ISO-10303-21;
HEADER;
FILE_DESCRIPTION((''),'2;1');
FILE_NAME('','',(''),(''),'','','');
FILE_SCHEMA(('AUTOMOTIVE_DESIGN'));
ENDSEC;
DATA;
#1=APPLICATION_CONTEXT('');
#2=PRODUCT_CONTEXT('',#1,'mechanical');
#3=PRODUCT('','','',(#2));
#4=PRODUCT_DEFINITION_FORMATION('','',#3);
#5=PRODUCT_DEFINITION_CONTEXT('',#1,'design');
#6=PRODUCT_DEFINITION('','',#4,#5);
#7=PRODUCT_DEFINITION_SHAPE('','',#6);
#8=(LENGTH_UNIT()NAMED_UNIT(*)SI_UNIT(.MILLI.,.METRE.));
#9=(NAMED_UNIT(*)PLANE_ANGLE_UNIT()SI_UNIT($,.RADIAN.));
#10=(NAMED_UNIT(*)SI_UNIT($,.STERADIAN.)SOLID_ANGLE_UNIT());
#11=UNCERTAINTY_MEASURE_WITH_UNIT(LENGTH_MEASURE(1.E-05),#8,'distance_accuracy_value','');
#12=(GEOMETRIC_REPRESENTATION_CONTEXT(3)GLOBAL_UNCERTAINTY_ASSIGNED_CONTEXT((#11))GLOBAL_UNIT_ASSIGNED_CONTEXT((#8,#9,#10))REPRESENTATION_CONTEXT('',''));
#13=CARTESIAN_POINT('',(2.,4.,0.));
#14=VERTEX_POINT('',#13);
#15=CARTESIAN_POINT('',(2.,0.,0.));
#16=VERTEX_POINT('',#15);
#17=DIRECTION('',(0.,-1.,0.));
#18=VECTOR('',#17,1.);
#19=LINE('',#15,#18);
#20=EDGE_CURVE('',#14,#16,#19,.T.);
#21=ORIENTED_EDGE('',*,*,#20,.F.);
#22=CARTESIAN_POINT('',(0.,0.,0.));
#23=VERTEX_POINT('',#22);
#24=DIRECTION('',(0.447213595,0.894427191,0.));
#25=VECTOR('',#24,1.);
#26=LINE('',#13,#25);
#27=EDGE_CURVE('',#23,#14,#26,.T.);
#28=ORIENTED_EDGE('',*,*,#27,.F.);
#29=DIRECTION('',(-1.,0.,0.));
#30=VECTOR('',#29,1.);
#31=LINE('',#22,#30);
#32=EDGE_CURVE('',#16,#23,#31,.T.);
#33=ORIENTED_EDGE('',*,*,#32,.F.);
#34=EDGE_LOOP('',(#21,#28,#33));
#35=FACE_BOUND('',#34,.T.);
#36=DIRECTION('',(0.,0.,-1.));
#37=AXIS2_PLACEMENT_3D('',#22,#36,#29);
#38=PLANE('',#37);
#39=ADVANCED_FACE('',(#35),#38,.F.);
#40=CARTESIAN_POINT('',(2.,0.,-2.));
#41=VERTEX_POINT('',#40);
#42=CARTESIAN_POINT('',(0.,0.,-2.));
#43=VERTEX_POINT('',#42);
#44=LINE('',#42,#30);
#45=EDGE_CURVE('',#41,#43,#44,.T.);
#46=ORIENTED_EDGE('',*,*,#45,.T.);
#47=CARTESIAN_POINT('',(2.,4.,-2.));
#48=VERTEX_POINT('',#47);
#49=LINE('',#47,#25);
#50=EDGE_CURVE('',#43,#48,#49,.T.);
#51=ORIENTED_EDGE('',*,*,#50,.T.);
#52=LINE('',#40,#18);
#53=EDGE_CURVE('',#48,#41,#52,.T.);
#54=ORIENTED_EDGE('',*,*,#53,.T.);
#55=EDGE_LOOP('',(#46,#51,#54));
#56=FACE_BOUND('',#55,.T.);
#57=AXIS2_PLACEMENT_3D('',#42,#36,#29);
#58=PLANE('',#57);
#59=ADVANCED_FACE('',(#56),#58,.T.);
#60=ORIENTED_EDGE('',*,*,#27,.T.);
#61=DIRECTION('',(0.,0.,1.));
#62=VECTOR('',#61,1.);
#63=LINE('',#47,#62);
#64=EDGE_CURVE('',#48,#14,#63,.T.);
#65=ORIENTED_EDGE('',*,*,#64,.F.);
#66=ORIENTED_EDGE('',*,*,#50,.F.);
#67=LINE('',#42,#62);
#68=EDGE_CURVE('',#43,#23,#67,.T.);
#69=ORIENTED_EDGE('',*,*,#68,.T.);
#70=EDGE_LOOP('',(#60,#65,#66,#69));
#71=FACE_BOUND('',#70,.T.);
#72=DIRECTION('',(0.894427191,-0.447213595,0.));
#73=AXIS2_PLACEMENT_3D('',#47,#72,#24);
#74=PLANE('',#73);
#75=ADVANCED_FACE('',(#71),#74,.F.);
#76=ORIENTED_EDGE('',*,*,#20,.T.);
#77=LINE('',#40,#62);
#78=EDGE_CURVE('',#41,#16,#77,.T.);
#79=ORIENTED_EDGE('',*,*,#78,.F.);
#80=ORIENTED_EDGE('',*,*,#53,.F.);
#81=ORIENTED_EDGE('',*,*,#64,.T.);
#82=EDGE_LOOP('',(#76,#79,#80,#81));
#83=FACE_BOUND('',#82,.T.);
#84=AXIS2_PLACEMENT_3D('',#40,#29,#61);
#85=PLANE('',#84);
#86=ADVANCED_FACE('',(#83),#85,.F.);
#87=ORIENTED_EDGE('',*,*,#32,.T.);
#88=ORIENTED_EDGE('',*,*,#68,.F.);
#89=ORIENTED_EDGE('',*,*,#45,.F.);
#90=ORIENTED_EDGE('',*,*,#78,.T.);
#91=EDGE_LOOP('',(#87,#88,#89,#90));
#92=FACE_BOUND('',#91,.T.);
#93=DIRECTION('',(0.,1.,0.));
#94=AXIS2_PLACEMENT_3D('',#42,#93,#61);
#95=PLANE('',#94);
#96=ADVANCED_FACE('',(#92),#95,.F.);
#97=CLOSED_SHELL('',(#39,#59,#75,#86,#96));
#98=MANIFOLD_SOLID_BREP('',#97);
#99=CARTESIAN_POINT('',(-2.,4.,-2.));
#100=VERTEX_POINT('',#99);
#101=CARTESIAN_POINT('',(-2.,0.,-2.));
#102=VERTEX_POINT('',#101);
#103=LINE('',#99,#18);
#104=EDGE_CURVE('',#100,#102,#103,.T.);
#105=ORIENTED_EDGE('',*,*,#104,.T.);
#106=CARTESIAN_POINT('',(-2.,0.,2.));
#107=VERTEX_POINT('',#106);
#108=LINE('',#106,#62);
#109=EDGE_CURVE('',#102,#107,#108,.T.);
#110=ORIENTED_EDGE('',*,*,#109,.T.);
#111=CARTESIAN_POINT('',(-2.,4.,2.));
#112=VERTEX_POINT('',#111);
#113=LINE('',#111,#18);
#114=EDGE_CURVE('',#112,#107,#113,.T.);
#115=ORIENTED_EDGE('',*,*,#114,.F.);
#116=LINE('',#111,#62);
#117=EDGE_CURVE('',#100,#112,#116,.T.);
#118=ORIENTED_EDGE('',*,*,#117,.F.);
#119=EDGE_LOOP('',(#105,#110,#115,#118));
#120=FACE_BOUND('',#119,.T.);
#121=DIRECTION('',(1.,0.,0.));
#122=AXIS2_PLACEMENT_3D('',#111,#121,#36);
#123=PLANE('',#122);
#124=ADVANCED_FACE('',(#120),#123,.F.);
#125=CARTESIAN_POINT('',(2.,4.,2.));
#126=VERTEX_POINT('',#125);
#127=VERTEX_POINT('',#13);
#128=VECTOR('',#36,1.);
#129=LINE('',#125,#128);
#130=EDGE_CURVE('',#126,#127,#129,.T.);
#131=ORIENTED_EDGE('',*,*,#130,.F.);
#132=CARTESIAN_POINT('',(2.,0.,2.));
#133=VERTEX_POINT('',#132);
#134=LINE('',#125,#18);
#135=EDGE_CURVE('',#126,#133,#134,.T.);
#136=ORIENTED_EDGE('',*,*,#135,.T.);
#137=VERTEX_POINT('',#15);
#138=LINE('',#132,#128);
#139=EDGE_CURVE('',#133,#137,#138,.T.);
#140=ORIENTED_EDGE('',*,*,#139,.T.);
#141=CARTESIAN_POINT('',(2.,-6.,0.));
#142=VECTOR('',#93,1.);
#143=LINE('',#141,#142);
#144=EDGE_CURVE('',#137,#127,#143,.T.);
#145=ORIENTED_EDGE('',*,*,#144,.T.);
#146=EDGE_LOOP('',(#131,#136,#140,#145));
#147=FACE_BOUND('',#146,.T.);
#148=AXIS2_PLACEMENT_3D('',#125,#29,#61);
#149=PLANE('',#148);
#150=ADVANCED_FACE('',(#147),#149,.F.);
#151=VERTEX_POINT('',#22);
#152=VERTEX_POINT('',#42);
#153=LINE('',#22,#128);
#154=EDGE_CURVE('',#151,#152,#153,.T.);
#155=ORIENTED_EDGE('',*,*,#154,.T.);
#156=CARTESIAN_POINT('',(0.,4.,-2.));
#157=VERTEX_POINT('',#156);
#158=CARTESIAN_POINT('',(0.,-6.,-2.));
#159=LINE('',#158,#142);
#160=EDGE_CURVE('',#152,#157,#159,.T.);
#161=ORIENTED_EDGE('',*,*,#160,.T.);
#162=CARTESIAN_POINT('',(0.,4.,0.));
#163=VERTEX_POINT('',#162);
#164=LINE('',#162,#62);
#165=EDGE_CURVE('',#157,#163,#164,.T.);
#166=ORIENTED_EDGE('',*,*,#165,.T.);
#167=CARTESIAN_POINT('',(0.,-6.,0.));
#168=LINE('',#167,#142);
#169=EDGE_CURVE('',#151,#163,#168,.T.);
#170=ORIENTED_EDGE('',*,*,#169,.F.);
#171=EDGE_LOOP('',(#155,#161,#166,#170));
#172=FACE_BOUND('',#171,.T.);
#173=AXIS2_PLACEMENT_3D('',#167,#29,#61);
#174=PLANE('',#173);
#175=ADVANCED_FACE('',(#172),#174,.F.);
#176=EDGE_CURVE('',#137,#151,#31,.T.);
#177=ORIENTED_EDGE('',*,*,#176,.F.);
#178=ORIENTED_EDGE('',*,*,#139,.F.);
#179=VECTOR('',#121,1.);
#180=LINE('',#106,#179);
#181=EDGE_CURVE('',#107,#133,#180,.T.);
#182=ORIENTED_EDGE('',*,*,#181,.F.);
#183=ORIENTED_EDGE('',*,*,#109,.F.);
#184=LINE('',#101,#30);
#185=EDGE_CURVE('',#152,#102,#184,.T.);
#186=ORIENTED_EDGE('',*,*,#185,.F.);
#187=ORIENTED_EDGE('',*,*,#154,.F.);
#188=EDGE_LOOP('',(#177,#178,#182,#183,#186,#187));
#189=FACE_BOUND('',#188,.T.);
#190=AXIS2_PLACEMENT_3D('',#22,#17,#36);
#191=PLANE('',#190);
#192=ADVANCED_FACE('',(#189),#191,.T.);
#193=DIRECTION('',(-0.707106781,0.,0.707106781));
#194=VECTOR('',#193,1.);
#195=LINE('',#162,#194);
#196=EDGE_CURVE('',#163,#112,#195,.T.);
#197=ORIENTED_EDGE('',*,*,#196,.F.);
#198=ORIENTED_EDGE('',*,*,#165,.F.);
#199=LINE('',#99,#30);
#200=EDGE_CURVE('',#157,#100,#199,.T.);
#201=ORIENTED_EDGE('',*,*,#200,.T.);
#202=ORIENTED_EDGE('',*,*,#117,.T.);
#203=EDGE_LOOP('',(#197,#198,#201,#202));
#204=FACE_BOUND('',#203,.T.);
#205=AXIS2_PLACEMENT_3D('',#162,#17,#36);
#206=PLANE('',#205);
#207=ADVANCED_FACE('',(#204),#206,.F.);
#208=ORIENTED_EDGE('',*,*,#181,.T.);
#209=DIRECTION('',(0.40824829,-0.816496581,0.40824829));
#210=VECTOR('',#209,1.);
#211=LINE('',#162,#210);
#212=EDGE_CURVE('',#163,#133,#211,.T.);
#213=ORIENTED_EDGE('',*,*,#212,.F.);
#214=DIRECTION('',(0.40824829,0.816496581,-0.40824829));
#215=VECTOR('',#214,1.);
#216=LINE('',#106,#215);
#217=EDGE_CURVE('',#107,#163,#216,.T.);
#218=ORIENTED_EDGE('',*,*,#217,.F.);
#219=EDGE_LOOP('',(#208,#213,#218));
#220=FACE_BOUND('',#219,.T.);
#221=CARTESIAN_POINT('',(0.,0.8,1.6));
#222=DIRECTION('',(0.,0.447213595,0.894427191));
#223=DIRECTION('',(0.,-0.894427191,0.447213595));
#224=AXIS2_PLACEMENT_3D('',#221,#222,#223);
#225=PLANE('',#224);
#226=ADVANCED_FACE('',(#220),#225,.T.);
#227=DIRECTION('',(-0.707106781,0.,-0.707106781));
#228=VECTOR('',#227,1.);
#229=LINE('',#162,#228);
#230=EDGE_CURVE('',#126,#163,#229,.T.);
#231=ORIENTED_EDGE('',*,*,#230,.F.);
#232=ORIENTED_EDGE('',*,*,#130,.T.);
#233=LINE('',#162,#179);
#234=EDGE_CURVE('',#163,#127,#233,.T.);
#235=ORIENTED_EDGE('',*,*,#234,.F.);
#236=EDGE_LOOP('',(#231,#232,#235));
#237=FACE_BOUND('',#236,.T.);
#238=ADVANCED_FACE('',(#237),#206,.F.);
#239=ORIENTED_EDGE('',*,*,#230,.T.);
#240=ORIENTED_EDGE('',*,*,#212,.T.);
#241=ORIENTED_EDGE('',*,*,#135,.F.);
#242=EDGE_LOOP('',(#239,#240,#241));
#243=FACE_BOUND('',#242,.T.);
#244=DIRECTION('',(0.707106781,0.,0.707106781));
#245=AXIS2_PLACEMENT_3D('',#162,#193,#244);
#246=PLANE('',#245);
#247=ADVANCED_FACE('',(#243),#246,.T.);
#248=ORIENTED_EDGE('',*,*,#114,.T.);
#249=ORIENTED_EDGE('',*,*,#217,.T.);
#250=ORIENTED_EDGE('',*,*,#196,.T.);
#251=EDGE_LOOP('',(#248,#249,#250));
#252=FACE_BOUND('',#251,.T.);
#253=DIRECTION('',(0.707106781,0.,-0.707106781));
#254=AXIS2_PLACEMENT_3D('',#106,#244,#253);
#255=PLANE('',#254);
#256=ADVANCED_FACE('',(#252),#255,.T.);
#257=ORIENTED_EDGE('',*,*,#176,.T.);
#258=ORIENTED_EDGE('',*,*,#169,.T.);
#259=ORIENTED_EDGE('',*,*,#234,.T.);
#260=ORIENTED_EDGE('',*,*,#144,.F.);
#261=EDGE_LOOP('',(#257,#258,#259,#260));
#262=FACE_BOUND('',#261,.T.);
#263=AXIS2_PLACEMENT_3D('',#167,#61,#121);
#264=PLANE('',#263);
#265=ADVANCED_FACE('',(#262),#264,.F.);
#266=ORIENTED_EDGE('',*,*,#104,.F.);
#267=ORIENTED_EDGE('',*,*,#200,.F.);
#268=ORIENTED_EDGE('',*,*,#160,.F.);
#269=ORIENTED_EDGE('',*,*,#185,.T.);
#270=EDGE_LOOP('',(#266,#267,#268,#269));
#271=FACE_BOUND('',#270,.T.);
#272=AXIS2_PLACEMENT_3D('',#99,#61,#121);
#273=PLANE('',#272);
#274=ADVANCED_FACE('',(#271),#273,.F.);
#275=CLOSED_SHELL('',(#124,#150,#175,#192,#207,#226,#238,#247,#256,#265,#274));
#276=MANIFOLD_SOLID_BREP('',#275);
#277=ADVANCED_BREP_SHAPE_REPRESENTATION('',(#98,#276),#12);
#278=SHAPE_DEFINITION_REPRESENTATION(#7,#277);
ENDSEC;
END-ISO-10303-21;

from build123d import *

# Parameters (mm, degrees)
SKETCH2_W           = 4
SKETCH2_H           = 4
BOSS_EXTRUDE1_DEPTH = 4
CUT_EXTRUDE1_DEPTH  = 10
SKETCH5_W           = 2
SKETCH5_H           = 2
CUT_EXTRUDE5_DEPTH  = 10
BOSS_EXTRUDE4_DEPTH = 2


with BuildPart() as part:
    # Sketch2 → Boss-Extrude1 (new body)
    with BuildSketch(Plane(origin=(0, 0, 0), x_dir=(1, 0, 0), z_dir=(0, 1, 0))):
        Rectangle(SKETCH2_W, SKETCH2_H)
    extrude(amount=BOSS_EXTRUDE1_DEPTH)

    # 3DSketch1 → Cut-Extrude1 (cut, along a direction that is not the sketch's normal)
    with BuildSketch(Plane(origin=(-2, 0, 2), x_dir=(0.4082482904638631, 0.8164965809277261, -0.4082482904638631), z_dir=(0, -0.447213595499958, -0.894427190999916))):
        Polygon((0, 0), (4.898979486, 0), (1.632993162, 3.651483717), align=None)
    extrude(amount=-CUT_EXTRUDE1_DEPTH, dir=(0, -1, 0), mode=Mode.SUBTRACT)

    # Sketch5 → Cut-Extrude5 (cut)
    with BuildSketch(Plane(origin=(0, 4, 0), x_dir=(1, 0, 0), z_dir=(0, 1, 0))):
        with Locations((1, 1)):
            Rectangle(SKETCH5_W, SKETCH5_H)
    extrude(amount=-CUT_EXTRUDE5_DEPTH, mode=Mode.SUBTRACT)


with BuildPart() as body_2:
    # Sketch6 → Boss-Extrude4 (new body)
    with BuildSketch(Plane(origin=(0, 0, 0), x_dir=(-1, 0, 0), z_dir=(0, 0, -1))):
        Polygon((-2, 4), (0, 0), (-2, 0), align=None)
    extrude(amount=BOSS_EXTRUDE4_DEPTH)


solid = Compound([part.part, body_2.part])
